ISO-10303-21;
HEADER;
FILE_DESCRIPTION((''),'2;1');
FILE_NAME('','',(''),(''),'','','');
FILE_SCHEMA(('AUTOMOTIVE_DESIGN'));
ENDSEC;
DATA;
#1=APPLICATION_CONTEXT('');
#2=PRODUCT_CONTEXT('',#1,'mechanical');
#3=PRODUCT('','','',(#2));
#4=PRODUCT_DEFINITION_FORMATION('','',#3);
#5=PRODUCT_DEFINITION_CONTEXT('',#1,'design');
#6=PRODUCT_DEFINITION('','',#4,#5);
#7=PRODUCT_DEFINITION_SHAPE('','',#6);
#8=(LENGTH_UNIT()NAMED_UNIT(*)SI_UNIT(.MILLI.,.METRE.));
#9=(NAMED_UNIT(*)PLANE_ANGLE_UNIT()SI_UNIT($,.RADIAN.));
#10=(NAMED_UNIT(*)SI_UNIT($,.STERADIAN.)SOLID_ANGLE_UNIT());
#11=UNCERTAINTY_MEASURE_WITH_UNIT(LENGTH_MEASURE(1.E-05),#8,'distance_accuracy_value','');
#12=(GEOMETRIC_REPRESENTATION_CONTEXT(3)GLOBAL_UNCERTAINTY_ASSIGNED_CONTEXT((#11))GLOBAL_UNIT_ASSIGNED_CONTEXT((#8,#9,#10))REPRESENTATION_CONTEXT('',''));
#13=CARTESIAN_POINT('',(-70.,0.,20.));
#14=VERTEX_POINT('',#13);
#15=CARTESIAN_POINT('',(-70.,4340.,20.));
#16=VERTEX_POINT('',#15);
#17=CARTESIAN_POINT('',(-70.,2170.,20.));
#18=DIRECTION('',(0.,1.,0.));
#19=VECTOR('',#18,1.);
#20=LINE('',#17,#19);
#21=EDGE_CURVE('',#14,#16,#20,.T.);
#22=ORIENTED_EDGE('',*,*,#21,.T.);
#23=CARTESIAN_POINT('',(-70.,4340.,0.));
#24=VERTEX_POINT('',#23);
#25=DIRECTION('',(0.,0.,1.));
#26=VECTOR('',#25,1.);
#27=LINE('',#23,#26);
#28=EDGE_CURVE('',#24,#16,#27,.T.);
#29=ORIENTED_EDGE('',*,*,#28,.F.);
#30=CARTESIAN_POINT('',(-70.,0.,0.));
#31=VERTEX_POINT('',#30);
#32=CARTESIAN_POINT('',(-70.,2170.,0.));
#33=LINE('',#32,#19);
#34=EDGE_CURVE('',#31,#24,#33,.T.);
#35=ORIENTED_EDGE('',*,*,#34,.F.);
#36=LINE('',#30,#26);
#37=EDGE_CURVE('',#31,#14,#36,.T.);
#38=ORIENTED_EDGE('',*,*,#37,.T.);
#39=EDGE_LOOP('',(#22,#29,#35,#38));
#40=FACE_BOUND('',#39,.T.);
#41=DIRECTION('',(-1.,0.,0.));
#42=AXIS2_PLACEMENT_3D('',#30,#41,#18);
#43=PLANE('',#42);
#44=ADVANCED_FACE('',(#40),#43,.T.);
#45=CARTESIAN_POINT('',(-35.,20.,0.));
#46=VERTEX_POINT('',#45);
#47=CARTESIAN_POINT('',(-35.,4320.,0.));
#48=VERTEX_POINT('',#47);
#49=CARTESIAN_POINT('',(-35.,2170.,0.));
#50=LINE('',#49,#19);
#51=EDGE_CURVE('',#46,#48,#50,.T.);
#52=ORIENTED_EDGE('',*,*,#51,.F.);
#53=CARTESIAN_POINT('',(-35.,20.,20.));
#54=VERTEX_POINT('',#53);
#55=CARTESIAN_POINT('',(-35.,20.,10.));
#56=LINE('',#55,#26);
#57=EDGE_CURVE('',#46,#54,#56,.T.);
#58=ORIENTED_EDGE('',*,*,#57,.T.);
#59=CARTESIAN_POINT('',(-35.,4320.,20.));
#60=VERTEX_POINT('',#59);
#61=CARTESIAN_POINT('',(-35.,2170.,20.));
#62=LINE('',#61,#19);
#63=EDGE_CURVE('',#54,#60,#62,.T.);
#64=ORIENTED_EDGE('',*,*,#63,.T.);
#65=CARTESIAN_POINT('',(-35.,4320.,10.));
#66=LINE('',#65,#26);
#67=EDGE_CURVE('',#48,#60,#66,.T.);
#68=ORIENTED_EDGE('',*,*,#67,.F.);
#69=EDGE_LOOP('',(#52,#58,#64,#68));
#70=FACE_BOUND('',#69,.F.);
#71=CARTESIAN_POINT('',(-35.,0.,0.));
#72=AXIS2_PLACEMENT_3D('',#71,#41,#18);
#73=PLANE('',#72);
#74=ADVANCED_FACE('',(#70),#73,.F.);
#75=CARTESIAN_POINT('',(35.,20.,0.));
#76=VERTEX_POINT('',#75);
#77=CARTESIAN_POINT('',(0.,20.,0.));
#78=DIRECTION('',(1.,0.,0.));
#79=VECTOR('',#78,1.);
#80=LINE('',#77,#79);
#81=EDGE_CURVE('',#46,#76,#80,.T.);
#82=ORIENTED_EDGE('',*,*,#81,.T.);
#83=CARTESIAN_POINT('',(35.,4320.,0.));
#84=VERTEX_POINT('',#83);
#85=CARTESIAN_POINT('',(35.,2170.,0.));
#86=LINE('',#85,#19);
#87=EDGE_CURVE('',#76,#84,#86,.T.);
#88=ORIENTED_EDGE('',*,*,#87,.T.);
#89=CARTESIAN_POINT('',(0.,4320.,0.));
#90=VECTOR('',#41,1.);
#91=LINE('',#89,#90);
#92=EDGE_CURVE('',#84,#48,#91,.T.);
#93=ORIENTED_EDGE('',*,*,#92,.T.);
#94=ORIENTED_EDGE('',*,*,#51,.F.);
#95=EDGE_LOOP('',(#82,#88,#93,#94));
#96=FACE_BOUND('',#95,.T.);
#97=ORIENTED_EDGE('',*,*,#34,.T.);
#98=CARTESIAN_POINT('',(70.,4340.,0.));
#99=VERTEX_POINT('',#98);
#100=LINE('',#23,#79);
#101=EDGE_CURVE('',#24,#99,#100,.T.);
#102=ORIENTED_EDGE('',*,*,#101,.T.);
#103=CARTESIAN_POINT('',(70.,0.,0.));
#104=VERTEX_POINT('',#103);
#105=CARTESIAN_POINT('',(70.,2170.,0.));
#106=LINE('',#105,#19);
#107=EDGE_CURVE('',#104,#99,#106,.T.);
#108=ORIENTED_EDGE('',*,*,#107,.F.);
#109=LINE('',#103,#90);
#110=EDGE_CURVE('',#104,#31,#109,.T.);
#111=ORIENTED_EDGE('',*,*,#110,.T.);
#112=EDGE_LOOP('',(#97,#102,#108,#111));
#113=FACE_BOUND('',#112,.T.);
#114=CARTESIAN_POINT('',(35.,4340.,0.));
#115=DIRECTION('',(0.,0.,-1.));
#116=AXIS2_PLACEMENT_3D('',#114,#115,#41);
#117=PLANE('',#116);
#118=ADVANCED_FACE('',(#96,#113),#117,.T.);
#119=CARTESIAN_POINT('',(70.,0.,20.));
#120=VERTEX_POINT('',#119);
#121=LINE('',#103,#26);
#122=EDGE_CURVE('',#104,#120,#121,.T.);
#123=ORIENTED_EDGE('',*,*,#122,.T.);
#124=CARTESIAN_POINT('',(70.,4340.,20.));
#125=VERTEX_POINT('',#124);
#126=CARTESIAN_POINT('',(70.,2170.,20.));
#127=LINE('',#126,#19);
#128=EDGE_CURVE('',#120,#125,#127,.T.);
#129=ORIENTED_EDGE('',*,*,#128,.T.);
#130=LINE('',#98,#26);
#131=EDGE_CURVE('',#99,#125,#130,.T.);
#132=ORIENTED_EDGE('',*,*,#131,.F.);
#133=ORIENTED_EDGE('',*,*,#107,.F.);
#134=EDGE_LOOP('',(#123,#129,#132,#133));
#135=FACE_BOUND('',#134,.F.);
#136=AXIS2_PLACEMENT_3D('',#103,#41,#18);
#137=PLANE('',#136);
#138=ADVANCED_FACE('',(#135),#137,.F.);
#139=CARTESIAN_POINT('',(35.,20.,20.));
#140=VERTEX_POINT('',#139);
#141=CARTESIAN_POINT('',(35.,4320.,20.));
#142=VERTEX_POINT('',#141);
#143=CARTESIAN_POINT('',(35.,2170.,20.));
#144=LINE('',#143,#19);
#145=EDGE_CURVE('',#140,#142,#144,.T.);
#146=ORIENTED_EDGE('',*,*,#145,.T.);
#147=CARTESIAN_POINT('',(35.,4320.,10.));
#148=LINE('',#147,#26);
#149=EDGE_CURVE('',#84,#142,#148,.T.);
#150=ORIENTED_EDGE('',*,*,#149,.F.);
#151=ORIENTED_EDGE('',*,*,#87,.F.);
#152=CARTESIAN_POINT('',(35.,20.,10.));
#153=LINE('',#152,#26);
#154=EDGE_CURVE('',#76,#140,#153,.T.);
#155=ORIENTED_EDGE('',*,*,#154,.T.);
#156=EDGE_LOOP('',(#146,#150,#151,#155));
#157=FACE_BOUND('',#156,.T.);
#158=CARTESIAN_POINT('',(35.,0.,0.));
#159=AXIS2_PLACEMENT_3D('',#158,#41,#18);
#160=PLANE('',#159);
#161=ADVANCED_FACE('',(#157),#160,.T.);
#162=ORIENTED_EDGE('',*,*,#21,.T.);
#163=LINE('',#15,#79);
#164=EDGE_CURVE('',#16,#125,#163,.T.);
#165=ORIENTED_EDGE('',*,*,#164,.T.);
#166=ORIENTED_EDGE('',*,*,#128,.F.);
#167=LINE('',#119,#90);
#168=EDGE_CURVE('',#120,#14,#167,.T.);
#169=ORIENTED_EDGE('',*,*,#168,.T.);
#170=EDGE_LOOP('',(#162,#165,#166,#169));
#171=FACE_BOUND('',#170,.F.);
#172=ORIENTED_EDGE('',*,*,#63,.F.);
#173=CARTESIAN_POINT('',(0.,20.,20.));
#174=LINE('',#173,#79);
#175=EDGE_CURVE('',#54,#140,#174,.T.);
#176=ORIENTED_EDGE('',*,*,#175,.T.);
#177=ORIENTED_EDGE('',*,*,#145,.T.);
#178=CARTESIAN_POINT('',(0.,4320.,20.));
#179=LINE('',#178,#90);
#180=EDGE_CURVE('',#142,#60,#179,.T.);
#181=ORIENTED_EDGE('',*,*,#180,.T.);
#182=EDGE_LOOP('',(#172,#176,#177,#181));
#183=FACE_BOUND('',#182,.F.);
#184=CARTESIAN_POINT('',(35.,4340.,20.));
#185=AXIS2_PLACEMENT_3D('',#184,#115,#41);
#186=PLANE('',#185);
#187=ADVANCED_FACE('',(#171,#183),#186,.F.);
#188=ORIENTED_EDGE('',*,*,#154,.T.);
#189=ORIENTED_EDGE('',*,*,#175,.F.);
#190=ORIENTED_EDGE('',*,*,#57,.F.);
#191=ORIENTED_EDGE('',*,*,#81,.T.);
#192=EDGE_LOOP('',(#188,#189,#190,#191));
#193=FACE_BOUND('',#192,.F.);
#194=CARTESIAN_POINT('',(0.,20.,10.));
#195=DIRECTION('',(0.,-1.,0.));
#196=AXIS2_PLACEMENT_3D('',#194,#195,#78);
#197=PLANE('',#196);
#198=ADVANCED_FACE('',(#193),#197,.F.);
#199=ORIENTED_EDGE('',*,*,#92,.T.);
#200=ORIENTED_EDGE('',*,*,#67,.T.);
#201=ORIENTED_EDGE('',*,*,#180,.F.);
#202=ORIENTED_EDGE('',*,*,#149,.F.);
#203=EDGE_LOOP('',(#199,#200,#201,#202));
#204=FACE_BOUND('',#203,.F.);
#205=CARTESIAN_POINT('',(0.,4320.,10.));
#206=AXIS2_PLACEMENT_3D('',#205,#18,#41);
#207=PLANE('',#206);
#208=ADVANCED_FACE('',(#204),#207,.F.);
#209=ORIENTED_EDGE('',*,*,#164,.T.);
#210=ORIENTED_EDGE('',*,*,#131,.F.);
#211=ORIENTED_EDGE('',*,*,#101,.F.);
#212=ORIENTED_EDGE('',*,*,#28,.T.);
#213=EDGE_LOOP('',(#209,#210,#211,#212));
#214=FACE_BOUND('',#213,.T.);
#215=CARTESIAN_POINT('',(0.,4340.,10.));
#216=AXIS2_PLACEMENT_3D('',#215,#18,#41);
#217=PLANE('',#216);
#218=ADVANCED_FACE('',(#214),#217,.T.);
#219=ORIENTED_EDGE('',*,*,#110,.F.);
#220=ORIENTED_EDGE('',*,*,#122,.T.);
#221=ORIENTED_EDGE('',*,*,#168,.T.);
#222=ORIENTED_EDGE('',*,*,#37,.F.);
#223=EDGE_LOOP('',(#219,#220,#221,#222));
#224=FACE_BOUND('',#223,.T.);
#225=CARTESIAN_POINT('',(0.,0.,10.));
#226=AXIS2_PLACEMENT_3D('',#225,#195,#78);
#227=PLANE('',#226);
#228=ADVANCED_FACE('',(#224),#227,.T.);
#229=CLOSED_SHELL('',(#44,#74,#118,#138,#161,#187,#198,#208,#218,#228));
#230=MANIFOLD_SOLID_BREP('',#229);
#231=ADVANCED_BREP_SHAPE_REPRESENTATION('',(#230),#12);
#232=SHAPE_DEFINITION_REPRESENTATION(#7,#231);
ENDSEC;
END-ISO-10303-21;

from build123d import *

# Parameters (mm, degrees)
F0_W     = 35
F0_H     = 4340
F1_DEPTH = 20
F2_W     = 70
F2_H     = 20
F4_DEPTH = 20
F3_W     = 70
F3_H     = 20
F5_DEPTH = 20


with BuildPart() as f1:
    # F0 (on Top) → F1 (new body)
    with BuildSketch(Plane.XY):
        with Locations((-52.5, 2170)):
            Rectangle(F0_W, F0_H)
        with Locations((52.5, 2170)):
            Rectangle(F0_W, F0_H)
    extrude(amount=F1_DEPTH)

    # F2 (on face) → F4 (join)
    with BuildSketch(Plane.XZ):
        with Locations((0, 10)):
            Rectangle(F2_W, F2_H)
    extrude(amount=-F4_DEPTH)

    # F3 (on face) → F5 (join)
    with BuildSketch(Plane(origin=(0, 4340, 0), x_dir=(-1, 0, 0), z_dir=(0, 1, 0))):
        with Locations((0, 10)):
            Rectangle(F3_W, F3_H)
    extrude(amount=-F5_DEPTH)


solid = f1.part
